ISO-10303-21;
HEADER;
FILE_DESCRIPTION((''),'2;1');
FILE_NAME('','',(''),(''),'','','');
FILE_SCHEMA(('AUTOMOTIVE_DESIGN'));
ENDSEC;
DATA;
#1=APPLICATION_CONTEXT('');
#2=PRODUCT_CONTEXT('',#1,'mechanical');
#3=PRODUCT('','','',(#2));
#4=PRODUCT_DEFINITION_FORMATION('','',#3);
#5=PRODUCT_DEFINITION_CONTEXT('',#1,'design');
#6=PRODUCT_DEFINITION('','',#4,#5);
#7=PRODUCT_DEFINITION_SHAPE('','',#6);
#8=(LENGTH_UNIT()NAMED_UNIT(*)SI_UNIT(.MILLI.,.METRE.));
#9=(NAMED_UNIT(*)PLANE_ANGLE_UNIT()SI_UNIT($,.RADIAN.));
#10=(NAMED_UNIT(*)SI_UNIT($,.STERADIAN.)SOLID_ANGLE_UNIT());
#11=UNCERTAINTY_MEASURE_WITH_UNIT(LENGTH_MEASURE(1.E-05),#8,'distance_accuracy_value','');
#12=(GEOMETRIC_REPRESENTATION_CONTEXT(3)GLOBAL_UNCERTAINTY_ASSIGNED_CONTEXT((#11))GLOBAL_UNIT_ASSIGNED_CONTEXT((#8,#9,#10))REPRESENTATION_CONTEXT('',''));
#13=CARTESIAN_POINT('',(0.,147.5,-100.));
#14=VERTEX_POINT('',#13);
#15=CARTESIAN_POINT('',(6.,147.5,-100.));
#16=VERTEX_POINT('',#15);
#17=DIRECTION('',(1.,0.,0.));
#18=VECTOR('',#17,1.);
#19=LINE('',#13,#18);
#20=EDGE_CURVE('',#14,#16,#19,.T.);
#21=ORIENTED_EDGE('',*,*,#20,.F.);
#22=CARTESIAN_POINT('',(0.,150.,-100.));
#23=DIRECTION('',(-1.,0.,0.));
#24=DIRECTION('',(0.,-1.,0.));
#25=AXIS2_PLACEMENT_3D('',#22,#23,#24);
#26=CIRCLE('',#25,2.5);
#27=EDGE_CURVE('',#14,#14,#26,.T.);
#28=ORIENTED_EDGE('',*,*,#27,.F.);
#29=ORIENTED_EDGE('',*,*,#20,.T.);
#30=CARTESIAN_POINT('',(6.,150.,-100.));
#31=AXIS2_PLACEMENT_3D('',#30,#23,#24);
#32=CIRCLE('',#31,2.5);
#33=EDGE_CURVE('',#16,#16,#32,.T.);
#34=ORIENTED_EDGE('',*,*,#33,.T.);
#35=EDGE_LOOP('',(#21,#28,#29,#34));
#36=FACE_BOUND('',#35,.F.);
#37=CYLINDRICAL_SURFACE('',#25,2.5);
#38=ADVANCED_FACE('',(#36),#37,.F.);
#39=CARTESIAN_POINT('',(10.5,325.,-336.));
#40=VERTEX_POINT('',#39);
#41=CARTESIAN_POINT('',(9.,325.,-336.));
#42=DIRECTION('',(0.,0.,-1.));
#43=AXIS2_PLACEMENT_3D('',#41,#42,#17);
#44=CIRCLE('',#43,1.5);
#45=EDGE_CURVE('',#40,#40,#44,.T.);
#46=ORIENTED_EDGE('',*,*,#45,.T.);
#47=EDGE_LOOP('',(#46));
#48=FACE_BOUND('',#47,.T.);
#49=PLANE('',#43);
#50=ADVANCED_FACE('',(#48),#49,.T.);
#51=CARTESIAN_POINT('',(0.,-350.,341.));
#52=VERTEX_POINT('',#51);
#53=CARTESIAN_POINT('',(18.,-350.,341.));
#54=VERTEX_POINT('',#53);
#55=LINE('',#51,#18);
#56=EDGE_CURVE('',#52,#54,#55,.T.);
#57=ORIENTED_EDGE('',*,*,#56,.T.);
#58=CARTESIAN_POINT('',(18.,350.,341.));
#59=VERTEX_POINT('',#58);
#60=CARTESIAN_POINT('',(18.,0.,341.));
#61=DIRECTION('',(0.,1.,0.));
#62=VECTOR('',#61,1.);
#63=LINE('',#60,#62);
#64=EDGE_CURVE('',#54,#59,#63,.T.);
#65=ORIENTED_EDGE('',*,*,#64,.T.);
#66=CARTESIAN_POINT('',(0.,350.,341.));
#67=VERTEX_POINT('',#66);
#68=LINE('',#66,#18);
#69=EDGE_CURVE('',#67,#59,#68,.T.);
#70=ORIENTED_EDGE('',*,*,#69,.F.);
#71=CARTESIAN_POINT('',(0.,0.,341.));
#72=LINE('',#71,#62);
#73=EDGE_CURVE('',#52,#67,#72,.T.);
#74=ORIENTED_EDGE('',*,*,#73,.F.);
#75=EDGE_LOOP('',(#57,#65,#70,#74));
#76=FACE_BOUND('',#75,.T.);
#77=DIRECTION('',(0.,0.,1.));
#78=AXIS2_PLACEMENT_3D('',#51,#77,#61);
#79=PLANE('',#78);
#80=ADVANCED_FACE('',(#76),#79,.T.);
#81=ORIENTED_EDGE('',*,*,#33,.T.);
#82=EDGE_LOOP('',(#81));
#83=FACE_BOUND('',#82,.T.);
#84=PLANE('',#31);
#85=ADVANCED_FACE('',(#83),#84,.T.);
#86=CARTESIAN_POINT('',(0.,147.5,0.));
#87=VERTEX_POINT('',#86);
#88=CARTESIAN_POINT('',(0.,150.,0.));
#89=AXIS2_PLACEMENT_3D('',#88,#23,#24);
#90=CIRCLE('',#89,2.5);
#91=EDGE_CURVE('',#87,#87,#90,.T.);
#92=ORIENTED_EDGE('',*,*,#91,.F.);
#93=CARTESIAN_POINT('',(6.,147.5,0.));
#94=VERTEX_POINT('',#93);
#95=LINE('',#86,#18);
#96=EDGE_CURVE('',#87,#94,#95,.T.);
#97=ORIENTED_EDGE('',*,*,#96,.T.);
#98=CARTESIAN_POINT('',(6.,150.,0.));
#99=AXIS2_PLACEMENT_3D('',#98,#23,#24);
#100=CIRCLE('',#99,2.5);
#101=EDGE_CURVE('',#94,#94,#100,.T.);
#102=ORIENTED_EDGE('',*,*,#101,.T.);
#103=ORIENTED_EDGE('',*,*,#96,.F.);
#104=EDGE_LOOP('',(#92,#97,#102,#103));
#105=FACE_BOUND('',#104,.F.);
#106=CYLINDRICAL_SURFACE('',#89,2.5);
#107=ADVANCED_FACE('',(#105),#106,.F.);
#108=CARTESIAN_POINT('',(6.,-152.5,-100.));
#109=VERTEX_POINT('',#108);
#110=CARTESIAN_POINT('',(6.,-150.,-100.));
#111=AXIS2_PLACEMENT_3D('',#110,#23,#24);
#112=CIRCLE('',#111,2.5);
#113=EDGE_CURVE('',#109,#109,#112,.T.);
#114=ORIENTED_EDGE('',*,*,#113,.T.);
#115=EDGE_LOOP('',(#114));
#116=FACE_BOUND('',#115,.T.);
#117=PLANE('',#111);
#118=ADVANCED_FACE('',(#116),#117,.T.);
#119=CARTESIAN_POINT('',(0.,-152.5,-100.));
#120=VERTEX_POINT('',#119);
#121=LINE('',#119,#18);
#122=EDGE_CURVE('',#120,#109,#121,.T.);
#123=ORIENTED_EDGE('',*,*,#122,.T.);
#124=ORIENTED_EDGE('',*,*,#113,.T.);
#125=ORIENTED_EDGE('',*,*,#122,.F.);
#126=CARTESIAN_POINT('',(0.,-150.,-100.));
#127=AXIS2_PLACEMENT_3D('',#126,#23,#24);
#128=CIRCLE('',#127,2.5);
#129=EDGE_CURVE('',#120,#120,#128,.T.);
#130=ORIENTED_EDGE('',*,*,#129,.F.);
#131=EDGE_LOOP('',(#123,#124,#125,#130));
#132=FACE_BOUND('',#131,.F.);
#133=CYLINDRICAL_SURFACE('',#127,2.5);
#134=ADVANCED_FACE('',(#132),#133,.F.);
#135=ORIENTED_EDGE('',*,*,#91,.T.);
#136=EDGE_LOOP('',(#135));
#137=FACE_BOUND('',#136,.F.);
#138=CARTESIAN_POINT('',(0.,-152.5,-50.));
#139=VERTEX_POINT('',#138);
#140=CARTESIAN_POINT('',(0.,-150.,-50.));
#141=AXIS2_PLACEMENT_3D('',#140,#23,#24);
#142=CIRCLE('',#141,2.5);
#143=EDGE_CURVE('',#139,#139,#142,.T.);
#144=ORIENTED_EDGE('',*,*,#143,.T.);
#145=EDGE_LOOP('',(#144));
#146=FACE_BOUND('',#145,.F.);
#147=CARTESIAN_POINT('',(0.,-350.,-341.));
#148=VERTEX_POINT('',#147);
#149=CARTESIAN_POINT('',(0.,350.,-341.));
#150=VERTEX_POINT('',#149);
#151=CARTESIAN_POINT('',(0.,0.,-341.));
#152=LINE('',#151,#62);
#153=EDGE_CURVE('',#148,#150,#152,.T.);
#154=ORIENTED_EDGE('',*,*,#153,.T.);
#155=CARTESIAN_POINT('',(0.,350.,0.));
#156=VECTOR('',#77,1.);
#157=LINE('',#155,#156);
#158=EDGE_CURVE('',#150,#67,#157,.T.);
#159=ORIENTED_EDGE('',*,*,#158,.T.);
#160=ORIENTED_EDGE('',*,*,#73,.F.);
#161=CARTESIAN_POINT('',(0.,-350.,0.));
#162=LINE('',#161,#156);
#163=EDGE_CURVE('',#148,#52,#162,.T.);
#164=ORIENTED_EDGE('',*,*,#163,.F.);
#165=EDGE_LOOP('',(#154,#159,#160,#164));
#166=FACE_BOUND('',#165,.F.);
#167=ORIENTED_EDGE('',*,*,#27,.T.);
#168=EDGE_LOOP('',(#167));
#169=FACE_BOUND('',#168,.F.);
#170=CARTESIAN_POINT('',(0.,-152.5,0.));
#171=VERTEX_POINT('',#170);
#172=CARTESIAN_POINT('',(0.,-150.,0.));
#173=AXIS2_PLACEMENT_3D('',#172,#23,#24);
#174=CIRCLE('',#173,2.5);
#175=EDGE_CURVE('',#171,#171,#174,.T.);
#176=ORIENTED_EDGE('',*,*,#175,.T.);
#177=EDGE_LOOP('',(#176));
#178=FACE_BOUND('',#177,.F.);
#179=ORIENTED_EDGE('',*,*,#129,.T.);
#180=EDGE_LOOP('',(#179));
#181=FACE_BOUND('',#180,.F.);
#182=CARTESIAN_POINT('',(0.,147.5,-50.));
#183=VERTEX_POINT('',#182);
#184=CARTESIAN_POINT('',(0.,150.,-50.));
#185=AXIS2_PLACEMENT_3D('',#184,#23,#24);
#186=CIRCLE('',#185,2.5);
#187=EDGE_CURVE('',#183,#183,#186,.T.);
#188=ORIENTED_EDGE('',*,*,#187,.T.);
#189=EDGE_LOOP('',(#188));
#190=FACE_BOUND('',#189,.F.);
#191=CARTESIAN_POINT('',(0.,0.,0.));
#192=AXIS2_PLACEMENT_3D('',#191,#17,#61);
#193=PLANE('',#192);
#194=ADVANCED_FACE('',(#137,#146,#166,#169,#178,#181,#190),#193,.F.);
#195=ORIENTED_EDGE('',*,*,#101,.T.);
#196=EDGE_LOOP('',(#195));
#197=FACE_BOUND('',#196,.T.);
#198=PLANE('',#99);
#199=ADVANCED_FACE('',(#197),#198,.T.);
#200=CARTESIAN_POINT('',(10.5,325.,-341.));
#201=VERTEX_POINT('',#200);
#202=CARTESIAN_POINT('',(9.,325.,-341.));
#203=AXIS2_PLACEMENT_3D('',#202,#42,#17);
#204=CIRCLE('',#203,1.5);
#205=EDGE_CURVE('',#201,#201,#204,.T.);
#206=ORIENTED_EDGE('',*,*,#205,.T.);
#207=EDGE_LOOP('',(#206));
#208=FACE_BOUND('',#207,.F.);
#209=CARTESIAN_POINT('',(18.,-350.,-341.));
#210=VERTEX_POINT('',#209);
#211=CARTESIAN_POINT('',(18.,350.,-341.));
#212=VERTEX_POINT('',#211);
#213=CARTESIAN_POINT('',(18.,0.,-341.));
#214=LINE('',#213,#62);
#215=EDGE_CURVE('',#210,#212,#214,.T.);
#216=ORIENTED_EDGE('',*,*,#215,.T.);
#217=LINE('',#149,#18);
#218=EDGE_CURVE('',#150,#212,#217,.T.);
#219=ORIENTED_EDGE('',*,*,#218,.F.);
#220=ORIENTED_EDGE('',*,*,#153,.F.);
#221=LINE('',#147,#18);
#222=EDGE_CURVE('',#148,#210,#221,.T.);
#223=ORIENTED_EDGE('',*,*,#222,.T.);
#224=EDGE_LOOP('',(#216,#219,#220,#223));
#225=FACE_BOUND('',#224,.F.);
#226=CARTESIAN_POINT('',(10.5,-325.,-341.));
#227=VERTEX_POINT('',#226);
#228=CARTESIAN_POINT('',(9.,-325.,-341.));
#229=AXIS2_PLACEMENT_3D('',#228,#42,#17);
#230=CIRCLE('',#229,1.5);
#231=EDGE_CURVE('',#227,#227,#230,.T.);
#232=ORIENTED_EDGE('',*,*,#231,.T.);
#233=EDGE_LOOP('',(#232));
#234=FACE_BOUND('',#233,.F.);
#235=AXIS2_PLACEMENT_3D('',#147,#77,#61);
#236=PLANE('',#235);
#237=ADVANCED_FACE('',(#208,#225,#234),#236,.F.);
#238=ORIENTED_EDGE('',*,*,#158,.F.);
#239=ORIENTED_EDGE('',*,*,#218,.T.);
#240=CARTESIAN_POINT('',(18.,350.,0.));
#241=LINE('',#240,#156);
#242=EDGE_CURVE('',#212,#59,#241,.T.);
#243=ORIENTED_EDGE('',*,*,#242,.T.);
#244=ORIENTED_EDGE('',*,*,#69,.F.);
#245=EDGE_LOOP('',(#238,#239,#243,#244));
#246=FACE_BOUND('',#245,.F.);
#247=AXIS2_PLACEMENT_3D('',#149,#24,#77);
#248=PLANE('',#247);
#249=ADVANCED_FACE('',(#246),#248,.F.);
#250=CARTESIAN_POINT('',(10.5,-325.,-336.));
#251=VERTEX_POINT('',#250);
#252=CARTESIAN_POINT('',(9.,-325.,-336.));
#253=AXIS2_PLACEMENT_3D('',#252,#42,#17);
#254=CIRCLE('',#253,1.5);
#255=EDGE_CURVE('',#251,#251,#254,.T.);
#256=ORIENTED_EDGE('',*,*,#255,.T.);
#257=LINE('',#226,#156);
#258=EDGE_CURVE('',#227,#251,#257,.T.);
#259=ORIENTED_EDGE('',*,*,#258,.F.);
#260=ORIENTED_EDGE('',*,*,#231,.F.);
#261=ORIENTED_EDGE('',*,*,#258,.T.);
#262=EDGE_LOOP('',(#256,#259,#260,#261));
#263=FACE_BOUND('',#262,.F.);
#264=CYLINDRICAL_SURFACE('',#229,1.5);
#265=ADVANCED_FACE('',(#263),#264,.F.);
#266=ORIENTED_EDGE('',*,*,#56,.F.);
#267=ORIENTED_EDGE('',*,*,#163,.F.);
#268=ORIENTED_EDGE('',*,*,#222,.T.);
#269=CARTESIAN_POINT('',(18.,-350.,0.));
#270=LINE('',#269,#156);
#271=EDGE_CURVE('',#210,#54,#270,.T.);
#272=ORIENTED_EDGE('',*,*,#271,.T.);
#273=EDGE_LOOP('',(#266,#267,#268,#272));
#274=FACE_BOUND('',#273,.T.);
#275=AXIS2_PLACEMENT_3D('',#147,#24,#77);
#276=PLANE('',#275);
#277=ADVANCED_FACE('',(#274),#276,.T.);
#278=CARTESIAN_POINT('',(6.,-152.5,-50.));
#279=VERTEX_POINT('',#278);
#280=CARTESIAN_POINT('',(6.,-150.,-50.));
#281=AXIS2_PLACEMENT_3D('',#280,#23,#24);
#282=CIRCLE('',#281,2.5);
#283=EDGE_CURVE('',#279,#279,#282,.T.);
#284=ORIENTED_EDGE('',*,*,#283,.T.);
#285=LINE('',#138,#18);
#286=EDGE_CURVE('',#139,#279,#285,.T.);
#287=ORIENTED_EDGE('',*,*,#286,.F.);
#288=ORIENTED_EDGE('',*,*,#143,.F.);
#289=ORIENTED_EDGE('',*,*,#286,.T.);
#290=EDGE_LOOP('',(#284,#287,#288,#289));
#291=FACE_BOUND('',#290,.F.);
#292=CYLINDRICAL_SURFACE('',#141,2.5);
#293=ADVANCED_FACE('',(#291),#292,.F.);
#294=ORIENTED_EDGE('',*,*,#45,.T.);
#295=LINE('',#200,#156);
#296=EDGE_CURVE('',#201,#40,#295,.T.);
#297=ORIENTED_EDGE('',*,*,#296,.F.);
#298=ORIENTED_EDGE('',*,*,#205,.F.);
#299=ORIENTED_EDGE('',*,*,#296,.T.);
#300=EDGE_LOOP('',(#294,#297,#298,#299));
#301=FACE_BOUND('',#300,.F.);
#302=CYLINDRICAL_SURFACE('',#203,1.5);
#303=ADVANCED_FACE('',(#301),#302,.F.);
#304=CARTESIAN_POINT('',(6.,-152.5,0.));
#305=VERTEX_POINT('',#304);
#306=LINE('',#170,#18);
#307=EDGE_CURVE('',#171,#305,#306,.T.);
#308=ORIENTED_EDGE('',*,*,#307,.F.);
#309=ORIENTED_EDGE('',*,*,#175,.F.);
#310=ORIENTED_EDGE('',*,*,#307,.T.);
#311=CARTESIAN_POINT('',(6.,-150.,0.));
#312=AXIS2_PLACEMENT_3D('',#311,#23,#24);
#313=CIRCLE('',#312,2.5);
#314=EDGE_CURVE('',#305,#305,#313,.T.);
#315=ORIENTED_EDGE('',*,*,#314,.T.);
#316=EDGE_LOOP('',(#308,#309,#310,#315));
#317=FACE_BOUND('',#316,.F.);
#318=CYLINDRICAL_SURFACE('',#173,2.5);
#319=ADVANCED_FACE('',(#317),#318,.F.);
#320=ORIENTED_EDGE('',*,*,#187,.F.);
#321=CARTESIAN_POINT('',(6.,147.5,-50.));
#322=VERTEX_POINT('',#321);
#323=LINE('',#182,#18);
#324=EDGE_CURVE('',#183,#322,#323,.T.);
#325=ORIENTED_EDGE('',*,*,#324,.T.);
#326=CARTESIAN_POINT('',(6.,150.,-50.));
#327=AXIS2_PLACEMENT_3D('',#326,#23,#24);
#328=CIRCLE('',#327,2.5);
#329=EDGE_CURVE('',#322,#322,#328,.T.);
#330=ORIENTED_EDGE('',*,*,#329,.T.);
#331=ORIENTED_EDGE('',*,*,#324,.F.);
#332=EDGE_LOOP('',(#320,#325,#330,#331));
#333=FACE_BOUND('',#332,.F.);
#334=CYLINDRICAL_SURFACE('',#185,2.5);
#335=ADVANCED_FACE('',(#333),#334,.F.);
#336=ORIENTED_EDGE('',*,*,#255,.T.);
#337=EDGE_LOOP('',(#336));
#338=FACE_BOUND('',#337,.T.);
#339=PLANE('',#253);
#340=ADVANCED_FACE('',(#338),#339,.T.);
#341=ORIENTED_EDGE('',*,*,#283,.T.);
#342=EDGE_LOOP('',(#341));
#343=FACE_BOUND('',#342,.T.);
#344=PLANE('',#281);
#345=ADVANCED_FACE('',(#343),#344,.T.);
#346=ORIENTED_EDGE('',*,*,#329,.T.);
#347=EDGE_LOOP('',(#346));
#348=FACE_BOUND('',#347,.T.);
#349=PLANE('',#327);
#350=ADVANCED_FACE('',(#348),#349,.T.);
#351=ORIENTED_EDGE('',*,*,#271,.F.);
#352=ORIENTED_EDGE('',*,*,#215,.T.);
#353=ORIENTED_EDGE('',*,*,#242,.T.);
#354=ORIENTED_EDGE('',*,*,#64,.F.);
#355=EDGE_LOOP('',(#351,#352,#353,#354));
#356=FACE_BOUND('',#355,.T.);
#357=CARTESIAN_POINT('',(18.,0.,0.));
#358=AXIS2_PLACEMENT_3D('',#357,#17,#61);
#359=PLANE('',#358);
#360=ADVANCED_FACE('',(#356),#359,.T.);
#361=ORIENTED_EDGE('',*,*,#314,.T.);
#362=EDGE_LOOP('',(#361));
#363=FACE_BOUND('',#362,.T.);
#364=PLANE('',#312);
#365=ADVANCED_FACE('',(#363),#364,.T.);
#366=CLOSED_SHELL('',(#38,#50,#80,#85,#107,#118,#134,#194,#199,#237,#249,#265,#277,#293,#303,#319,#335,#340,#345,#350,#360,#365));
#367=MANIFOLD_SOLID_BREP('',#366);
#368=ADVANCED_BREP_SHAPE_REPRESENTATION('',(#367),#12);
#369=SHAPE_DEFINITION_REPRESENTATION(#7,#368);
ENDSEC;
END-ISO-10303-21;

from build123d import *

# Parameters (mm, degrees)
F0_W     = 700
F0_H     = 682
F1_DEPTH = 18
F2_R     = 1.5
F3_DEPTH = 5
F4_R     = 2.5
F5_DEPTH = 6


with BuildPart() as f1:
    # F0 (on Right) → F1 (new body)
    with BuildSketch(Plane.YZ):
        Rectangle(F0_W, F0_H)
    extrude(amount=F1_DEPTH)

    # F2 (on face) → F3 (cut)
    with BuildSketch(Plane(origin=(0, 0, -341), x_dir=(1, 0, 0), z_dir=(0, 0, -1))):
        with Locations((9, 325)):
            Circle(F2_R)
        with Locations((9, -325)):
            Circle(F2_R)
    extrude(amount=-F3_DEPTH, mode=Mode.SUBTRACT)

    # F4 (on face) → F5 (cut)
    with BuildSketch(Plane(origin=(0, 0, 0), x_dir=(0, -1, 0), z_dir=(-1, 0, 0))):
        with Locations((-150, 0)):
            Circle(F4_R)
        with Locations((150, 0)):
            Circle(F4_R)
        with Locations((-150, -50)):
            Circle(F4_R)
        with Locations((150, -50)):
            Circle(F4_R)
        with Locations((-150, -100)):
            Circle(F4_R)
        with Locations((150, -100)):
            Circle(F4_R)
    extrude(amount=-F5_DEPTH, mode=Mode.SUBTRACT)


solid = f1.part
